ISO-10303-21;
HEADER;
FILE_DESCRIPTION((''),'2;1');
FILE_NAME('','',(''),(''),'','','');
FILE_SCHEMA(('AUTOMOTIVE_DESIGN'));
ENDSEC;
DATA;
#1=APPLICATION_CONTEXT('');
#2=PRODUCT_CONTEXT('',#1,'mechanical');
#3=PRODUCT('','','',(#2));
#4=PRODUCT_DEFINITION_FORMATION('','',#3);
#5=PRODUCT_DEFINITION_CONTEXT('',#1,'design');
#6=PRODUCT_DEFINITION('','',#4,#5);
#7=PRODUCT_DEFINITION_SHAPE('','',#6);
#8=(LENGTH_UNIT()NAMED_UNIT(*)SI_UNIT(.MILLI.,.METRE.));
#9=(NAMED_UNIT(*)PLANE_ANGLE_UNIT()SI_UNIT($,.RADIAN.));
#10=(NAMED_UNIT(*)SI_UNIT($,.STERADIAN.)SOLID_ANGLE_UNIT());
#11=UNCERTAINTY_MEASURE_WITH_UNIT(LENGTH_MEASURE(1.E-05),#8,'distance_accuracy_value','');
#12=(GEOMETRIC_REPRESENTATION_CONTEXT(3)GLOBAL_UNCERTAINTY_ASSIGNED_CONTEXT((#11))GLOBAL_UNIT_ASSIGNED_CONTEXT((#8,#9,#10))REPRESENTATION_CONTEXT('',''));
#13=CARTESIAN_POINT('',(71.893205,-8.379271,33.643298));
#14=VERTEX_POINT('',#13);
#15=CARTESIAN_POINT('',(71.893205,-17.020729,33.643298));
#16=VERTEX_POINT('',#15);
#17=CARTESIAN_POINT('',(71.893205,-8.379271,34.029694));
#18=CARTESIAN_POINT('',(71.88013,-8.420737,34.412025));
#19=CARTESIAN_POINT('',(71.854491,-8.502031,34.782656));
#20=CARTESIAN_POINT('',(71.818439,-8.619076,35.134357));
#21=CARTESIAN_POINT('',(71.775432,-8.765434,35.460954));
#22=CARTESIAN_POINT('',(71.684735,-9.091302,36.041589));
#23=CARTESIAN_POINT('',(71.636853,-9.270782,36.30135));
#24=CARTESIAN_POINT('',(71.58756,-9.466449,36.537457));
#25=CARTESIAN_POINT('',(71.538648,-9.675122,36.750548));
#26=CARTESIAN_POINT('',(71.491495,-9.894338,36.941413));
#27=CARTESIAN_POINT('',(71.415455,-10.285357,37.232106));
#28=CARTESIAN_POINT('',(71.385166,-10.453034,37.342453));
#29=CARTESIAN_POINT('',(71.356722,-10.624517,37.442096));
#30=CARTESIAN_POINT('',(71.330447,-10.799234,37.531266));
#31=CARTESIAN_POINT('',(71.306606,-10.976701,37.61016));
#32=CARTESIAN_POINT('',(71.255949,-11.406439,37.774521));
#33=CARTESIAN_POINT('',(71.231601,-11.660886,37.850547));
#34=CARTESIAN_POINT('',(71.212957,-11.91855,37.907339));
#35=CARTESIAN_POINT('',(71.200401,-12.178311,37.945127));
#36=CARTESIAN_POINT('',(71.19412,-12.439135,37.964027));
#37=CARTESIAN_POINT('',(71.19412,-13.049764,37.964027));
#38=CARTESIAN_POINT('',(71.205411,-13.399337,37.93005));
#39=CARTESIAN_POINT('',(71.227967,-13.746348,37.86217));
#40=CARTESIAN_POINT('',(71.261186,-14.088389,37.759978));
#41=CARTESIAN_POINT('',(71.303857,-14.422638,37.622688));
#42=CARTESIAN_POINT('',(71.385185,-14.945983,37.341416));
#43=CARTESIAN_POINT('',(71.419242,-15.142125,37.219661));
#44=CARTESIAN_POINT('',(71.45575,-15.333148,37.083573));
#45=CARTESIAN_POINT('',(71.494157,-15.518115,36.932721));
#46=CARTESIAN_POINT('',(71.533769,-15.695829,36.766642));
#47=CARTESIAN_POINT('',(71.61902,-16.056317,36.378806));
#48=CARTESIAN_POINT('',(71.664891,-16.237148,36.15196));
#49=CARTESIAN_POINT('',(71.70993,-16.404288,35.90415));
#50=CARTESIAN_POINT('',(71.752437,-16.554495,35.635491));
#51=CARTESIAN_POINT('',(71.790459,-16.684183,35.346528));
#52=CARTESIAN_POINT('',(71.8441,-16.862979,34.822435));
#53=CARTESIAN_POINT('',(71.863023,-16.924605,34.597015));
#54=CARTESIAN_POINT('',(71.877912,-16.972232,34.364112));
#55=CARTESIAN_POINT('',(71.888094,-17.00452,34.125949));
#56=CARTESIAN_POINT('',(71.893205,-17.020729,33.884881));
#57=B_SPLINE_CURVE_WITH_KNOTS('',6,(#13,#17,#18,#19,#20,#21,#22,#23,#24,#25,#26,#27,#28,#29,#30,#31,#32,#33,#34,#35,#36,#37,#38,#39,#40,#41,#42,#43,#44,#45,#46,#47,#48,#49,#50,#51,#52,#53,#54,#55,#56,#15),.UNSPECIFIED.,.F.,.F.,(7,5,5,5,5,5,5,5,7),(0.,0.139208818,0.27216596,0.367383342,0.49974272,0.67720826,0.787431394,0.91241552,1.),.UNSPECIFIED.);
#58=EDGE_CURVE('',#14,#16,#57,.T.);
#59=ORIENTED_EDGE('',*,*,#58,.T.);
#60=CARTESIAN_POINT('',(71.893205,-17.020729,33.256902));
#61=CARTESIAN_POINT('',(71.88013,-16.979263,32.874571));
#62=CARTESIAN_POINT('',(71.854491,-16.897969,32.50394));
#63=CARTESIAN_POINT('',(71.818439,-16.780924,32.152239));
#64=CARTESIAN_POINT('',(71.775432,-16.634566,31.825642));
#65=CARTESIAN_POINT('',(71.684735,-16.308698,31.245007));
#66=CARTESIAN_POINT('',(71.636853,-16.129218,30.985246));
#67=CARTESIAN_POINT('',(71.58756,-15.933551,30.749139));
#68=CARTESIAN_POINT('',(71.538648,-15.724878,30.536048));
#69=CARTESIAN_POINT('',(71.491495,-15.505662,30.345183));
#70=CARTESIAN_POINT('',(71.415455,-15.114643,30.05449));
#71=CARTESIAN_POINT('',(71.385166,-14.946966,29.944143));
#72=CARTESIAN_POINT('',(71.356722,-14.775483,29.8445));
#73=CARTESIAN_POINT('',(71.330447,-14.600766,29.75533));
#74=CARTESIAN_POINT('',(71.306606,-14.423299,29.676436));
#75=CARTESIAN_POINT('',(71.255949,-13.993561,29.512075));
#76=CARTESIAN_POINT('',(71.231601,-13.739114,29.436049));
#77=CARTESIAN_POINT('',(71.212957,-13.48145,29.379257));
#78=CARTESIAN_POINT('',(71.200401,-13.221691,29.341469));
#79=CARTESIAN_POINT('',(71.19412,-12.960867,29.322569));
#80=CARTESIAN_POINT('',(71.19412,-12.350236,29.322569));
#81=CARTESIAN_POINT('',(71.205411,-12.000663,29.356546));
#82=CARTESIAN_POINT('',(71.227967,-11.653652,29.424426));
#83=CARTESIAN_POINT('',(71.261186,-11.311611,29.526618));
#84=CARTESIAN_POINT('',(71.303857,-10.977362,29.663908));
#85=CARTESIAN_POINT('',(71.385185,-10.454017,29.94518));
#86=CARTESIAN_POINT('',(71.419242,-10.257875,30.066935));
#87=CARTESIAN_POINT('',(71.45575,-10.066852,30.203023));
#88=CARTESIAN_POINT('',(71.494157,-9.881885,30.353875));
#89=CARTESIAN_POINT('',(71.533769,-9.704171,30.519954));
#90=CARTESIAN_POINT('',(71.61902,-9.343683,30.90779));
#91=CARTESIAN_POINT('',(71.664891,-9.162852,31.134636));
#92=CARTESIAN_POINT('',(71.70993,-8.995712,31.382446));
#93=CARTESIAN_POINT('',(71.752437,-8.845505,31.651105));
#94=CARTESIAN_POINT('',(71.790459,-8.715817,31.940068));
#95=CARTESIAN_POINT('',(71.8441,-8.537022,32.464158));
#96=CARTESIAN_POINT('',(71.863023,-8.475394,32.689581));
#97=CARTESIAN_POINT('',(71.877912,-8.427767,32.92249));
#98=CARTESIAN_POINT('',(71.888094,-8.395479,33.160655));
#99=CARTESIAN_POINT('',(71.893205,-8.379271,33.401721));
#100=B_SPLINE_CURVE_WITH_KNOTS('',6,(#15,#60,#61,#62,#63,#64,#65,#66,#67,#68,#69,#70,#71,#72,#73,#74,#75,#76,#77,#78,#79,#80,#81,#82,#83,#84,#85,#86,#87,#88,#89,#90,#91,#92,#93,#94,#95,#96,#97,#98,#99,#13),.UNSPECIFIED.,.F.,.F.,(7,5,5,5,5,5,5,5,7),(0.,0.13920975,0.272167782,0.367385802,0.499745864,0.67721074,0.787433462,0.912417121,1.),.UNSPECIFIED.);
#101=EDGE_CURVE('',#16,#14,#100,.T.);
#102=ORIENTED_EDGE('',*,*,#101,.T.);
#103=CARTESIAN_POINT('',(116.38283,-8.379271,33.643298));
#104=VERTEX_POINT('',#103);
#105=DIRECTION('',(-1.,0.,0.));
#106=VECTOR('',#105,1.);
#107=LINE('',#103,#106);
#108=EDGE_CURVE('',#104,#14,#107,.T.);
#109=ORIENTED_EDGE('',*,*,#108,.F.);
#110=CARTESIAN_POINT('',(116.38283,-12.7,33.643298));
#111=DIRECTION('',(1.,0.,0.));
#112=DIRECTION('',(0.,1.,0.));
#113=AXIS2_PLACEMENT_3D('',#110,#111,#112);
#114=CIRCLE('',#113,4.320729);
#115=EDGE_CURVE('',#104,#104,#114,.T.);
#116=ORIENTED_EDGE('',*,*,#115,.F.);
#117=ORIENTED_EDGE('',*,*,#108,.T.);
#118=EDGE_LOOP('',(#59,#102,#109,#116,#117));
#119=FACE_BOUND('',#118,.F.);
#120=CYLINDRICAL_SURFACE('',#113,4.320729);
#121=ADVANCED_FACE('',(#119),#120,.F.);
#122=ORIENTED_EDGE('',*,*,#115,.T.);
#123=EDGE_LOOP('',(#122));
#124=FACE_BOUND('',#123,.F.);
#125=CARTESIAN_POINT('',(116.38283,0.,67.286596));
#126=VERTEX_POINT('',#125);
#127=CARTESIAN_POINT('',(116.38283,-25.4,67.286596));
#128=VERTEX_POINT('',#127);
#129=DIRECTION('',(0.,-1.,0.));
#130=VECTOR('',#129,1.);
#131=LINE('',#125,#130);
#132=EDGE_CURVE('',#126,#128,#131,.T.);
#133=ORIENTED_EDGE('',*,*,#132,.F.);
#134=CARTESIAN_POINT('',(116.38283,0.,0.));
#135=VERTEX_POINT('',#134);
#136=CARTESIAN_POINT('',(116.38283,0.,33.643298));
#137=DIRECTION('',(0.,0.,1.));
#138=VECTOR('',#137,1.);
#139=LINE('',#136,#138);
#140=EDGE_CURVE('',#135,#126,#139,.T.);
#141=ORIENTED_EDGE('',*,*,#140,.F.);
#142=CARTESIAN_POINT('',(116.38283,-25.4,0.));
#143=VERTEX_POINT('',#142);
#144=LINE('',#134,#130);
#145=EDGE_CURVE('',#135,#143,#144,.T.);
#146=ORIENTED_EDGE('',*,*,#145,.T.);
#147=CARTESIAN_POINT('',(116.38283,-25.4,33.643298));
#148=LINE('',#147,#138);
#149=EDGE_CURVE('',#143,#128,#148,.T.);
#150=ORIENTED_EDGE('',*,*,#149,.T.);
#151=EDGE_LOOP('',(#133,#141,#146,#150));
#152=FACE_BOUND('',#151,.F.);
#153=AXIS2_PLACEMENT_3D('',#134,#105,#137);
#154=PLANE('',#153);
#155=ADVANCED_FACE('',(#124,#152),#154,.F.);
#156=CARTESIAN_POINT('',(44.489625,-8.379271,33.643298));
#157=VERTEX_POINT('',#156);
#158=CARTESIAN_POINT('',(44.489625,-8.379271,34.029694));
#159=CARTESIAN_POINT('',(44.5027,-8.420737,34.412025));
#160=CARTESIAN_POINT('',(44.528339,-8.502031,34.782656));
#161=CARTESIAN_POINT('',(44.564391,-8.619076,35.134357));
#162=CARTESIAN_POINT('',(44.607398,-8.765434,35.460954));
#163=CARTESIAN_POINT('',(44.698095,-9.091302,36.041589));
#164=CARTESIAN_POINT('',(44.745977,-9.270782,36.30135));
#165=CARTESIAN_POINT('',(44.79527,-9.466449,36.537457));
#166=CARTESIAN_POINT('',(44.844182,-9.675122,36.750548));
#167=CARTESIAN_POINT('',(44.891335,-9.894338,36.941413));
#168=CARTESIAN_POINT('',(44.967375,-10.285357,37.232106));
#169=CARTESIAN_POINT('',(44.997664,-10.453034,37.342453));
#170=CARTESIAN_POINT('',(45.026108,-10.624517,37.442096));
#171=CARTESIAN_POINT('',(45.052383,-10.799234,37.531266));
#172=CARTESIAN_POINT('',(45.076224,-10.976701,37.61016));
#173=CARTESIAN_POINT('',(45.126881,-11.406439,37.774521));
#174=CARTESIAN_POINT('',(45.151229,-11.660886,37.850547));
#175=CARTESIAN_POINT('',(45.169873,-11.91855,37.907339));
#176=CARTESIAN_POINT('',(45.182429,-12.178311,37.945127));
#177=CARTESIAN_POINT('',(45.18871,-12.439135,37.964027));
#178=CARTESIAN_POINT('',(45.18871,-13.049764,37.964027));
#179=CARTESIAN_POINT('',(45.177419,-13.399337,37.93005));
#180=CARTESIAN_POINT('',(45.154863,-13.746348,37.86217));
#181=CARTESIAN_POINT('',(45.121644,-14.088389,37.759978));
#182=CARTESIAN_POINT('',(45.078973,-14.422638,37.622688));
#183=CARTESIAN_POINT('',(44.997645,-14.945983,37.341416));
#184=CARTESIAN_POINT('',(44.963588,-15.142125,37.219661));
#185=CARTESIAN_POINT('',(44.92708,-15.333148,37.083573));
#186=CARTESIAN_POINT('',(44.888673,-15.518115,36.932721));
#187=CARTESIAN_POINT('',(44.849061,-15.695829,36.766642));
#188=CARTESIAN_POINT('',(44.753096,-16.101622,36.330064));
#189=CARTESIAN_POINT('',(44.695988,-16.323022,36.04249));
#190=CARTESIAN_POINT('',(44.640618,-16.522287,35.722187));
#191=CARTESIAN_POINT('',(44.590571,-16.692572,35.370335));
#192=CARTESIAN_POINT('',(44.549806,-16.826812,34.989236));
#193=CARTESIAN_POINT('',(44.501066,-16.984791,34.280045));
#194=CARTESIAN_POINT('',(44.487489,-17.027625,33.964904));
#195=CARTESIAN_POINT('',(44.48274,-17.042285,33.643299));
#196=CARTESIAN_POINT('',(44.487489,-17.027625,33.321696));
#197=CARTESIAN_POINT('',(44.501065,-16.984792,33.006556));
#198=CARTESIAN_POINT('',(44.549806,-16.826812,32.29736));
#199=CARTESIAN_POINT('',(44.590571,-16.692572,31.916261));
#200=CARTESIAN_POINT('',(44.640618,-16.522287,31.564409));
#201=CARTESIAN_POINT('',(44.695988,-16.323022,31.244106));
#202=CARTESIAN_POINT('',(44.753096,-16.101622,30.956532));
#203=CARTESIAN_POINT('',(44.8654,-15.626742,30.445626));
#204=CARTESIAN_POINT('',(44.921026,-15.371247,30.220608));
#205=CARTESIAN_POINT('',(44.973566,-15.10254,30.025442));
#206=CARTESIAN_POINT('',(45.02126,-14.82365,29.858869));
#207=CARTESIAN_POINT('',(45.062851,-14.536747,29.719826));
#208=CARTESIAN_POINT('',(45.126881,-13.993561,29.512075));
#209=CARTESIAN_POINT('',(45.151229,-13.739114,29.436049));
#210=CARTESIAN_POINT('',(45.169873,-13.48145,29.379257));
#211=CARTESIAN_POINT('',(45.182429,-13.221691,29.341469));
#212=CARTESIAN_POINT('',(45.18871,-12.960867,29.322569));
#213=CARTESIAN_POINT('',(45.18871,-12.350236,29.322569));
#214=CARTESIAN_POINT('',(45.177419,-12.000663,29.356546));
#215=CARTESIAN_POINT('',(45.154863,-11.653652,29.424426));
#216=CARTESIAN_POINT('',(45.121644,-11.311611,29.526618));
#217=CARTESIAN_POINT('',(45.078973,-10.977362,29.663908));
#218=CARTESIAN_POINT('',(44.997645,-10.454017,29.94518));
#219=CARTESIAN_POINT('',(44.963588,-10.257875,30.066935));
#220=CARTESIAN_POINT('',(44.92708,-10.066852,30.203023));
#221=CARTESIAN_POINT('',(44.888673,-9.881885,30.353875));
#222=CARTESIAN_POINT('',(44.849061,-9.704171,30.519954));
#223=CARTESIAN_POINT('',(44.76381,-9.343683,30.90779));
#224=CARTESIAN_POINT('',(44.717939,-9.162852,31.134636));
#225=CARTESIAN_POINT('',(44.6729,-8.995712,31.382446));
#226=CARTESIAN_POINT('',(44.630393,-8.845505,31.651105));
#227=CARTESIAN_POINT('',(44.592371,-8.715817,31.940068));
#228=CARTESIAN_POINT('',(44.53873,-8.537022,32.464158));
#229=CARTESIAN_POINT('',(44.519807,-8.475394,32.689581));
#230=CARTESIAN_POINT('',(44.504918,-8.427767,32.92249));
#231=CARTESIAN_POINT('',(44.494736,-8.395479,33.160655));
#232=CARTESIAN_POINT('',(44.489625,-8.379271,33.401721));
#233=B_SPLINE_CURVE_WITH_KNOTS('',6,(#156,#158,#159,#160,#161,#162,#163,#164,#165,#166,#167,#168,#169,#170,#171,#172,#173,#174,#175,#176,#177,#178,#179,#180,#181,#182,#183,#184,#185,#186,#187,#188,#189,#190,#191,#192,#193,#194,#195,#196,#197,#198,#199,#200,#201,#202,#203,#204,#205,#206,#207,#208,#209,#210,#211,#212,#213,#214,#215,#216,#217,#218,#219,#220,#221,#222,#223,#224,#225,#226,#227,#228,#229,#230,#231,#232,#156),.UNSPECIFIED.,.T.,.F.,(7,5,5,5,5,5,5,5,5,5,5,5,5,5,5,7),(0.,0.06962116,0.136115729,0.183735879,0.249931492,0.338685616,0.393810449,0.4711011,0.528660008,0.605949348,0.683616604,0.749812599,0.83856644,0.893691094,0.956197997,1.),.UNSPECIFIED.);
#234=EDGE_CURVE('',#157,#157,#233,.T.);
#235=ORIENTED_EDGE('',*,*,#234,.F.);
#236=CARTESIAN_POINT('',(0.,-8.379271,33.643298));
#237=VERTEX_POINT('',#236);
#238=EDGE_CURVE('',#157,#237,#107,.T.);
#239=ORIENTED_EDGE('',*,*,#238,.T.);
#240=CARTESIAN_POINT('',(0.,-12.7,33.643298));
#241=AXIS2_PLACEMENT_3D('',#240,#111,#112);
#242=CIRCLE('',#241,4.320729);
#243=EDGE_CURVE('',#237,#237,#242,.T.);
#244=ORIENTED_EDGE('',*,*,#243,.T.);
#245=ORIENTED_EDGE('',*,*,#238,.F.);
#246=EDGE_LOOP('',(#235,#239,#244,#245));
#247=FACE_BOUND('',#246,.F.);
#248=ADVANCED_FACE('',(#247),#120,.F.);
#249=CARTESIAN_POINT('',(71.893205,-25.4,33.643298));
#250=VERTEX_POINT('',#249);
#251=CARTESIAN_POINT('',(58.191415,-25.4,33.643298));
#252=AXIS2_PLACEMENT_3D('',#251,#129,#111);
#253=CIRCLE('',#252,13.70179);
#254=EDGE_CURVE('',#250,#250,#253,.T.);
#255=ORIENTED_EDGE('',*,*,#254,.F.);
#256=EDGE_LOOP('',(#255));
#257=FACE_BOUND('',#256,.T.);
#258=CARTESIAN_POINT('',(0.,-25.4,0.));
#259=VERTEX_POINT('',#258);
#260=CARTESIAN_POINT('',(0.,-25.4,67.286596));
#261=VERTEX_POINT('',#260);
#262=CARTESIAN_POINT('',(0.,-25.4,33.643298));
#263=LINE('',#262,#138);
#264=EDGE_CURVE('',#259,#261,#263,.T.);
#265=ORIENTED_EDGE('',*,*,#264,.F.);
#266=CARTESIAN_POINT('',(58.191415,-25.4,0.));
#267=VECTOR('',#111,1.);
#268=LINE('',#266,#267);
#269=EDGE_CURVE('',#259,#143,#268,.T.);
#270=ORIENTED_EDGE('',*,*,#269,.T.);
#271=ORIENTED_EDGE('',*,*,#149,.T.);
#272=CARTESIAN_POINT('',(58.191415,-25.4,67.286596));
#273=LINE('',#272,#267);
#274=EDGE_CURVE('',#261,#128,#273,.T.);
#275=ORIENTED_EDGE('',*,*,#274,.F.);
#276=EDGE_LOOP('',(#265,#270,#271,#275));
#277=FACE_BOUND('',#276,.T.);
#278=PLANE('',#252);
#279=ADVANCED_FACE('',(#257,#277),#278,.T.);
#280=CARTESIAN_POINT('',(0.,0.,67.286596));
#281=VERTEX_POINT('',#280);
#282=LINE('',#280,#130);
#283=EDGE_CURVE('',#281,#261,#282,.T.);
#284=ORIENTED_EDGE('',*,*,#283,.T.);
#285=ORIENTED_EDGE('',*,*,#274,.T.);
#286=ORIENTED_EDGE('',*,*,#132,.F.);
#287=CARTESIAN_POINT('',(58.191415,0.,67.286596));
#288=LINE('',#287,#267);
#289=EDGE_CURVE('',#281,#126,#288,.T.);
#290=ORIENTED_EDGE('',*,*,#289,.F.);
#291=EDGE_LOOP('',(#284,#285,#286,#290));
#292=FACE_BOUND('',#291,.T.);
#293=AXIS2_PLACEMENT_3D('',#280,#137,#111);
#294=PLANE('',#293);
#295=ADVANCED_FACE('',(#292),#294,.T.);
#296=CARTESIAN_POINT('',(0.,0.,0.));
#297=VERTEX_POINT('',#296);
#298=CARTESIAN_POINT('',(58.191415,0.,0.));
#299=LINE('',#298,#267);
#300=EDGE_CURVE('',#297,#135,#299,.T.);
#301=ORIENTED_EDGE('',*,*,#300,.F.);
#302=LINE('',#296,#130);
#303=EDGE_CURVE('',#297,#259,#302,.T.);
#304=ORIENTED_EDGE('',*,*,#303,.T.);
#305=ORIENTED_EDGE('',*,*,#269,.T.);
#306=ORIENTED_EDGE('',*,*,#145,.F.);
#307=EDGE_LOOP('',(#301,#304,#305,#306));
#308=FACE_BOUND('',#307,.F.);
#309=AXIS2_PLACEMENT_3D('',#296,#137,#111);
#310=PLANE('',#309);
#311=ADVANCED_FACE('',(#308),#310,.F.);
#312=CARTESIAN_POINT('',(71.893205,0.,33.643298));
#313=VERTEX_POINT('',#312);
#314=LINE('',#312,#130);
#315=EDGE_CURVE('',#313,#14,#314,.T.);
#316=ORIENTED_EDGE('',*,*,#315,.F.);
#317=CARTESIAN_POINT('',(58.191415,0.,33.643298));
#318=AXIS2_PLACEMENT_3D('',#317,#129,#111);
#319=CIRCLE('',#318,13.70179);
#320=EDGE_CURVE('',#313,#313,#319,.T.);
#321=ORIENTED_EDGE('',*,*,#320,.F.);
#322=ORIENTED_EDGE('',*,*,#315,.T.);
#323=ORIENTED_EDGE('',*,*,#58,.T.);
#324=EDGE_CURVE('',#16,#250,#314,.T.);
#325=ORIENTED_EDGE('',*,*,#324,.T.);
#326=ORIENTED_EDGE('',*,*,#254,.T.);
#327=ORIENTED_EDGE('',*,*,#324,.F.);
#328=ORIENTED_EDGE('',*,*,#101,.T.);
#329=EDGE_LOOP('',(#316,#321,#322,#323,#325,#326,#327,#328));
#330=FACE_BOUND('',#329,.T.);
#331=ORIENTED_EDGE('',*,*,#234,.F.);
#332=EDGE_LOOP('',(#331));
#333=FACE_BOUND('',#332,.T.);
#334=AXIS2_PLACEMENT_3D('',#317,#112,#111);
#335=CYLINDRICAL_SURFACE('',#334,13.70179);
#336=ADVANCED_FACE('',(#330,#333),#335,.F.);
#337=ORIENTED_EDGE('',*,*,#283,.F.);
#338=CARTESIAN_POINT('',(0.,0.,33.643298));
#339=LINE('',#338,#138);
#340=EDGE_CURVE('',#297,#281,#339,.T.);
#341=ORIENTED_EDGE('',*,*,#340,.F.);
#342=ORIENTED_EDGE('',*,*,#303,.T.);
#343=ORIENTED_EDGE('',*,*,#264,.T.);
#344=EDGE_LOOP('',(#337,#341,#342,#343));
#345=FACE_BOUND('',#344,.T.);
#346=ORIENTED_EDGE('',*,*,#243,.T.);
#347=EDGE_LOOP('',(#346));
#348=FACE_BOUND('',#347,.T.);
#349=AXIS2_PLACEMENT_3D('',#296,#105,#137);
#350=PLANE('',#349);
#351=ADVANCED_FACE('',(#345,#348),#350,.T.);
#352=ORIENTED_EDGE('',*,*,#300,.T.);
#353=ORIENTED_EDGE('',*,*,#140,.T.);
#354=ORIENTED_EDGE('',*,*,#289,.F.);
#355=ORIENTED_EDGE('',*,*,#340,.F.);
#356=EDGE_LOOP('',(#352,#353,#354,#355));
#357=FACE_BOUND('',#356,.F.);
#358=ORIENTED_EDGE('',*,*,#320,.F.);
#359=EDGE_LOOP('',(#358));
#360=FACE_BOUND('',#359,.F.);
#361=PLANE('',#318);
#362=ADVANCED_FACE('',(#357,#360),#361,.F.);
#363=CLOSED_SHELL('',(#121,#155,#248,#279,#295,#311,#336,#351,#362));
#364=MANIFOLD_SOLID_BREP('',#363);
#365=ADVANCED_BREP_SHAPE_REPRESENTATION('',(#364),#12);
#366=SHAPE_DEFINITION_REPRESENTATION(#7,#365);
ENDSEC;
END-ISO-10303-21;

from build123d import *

# Parameters (mm, degrees)
F0_W     = 116.38283
F0_H     = 67.286596
F0_R     = 13.70179
F1_DEPTH = 25.4
F2_R     = 4.320729
F3_DEPTH = 167.132


with BuildPart() as f1:
    # F0 (on Front) → F1 (new body)
    with BuildSketch(Plane.XZ):
        with Locations((58.191415, 33.643298)):
            Rectangle(F0_W, F0_H)
        with Locations((58.191415, 33.643298)):
            Circle(F0_R, mode=Mode.SUBTRACT)
    extrude(amount=F1_DEPTH)

    # F2 (on face) → F3 (cut)
    with BuildSketch(Plane.YZ.offset(116.38283)):
        with Locations((-12.7, 33.643298)):
            Circle(F2_R)
    extrude(amount=-F3_DEPTH, mode=Mode.SUBTRACT)


solid = f1.part
